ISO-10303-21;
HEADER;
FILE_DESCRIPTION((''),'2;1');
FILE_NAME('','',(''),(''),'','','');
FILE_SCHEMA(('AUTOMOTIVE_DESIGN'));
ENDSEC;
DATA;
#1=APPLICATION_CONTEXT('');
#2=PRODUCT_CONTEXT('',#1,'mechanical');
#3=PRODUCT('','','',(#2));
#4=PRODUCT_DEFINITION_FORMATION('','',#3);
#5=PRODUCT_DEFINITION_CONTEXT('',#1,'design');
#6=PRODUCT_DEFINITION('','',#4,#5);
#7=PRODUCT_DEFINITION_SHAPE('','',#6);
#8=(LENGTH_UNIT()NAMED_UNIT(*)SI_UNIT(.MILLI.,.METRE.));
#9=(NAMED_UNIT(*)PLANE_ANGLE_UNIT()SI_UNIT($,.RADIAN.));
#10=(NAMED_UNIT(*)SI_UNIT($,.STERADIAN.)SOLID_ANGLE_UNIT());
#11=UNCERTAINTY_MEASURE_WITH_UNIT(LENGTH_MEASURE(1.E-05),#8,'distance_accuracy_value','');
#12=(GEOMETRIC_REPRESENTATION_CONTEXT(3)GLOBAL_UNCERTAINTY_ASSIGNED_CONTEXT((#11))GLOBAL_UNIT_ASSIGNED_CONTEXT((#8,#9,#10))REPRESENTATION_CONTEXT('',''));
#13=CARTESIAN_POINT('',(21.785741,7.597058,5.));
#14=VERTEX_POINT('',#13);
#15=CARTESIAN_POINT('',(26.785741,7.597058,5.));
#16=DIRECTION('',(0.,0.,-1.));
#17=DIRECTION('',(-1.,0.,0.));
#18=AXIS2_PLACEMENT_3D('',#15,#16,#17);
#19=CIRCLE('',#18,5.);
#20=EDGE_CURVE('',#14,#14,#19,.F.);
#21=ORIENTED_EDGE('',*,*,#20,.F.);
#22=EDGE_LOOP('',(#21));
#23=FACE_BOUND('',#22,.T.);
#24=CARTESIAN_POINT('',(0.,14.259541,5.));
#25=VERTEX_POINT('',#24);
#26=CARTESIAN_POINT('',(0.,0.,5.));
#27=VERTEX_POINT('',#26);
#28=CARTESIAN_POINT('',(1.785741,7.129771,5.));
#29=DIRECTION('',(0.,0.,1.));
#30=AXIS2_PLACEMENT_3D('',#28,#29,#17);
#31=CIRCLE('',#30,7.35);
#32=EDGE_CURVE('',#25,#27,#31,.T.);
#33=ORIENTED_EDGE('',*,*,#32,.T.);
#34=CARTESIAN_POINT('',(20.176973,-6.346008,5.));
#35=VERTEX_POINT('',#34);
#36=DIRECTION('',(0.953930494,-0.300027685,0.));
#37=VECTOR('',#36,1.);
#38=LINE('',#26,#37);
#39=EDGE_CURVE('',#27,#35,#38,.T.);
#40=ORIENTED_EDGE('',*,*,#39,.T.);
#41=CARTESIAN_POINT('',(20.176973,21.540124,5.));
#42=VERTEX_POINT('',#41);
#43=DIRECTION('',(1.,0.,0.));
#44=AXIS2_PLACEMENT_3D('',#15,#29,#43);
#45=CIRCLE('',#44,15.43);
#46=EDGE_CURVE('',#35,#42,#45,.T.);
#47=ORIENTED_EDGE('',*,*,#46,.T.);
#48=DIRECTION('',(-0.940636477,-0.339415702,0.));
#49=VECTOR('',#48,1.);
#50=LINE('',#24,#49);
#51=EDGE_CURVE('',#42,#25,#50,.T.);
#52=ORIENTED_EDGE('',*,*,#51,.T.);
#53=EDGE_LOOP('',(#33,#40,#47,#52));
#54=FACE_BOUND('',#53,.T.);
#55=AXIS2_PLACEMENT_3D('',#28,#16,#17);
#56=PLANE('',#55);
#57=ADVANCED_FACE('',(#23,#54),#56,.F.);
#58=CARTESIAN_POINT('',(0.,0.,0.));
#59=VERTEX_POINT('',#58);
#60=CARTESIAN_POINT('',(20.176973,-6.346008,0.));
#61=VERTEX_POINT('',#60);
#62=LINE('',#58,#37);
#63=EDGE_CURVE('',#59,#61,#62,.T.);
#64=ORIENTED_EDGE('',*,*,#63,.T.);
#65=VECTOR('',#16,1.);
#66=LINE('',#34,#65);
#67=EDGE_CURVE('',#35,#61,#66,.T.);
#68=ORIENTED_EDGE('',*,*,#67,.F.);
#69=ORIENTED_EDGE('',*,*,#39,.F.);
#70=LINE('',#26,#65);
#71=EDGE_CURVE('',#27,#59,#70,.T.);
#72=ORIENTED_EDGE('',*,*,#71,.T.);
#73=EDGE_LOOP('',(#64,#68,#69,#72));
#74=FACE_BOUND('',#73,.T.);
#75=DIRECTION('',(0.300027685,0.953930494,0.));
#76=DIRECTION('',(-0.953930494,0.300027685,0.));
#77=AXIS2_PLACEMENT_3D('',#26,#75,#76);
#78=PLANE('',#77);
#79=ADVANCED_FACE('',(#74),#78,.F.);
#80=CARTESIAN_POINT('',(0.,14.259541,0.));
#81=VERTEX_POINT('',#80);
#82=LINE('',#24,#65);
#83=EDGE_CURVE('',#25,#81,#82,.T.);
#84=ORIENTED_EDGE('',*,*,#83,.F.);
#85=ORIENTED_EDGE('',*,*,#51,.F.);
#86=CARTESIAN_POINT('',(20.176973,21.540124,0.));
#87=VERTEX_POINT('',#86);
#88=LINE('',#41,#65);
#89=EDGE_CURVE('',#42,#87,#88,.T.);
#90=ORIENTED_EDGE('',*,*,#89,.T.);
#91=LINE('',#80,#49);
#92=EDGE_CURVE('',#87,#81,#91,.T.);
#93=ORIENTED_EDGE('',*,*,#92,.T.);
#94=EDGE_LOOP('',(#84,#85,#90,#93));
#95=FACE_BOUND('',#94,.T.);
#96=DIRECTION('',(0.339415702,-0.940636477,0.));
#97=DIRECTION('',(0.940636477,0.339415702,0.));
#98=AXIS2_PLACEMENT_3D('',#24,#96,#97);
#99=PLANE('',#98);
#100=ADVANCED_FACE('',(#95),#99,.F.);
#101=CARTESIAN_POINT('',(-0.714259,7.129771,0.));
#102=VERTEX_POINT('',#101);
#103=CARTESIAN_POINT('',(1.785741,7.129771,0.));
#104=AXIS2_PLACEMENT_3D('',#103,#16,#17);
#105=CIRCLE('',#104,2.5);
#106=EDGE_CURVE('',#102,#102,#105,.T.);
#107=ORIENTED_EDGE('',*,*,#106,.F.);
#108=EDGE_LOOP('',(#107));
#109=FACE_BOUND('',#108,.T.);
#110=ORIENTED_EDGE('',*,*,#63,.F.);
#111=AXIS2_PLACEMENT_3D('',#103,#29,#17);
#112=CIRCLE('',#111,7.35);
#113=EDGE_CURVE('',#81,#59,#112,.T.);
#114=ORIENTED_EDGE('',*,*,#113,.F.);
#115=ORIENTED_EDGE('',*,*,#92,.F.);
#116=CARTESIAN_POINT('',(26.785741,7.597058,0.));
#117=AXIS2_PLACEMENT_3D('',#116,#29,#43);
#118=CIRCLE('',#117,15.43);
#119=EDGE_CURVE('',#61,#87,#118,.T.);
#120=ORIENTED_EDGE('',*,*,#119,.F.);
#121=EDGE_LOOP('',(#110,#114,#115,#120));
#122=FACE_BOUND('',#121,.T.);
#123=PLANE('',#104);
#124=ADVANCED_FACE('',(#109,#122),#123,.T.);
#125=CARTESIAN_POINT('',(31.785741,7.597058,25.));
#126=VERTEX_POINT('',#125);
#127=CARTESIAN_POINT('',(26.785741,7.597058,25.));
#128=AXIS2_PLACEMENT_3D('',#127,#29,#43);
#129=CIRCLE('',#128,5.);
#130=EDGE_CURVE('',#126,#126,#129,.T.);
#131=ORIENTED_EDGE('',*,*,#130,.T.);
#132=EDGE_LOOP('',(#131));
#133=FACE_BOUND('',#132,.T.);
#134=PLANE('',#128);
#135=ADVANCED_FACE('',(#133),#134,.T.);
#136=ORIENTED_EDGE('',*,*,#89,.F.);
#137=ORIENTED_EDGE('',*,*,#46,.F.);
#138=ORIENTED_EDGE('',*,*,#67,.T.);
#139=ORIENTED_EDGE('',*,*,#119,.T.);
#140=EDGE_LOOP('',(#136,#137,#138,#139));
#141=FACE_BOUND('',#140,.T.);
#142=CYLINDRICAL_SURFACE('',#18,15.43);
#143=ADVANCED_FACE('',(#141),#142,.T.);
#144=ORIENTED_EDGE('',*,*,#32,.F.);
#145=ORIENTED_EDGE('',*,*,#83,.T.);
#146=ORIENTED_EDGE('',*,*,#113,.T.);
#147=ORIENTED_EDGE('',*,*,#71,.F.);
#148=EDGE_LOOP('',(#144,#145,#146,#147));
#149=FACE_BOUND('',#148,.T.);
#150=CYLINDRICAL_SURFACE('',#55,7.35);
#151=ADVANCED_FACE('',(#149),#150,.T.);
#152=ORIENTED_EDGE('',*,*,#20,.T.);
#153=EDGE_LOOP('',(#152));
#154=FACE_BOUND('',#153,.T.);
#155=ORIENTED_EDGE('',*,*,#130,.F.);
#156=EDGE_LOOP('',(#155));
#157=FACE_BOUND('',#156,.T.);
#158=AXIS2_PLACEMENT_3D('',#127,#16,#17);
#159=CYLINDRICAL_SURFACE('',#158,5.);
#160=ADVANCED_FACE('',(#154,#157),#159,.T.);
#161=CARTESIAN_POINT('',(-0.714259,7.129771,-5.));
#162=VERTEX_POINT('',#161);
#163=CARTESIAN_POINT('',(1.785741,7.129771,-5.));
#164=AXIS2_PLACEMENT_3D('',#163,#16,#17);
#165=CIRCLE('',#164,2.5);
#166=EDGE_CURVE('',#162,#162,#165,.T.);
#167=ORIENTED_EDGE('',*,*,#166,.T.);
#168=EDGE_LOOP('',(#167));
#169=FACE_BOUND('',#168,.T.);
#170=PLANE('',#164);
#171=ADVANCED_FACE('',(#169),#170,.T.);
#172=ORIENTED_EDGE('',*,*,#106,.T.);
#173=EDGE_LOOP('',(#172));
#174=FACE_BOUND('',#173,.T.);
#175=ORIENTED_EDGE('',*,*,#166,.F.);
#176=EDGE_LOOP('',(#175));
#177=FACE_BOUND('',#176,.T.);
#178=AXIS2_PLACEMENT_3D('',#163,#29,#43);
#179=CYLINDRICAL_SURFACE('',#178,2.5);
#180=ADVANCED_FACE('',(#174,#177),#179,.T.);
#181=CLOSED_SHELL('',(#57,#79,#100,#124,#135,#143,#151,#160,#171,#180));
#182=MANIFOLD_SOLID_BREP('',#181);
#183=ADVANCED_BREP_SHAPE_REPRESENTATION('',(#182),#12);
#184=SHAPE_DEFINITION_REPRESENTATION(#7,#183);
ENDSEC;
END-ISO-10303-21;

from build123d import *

# Parameters (mm, degrees)
BOSS_EXTRUDE1_DEPTH = 5
SKETCH2_R           = 5
BOSS_EXTRUDE2_DEPTH = 20
SKETCH3_R           = 2.5
BOSS_EXTRUDE3_DEPTH = 5


with BuildPart() as part:
    # Sketch1 → Boss-Extrude1 (new body)
    with BuildSketch(Plane.XY):
        with BuildLine():
            Line((0, 14.259541246), (20.176972809, 21.540123656))
            ThreePointArc((20.176972809, 21.540123656), (42.215740985, 7.597057881), (20.176972809, -6.346007893))
            Line((20.176972809, -6.346007893), (0, 0))
            ThreePointArc((0, 0), (-5.564259015, 7.129770623), (0, 14.259541246))
        make_face()
    extrude(amount=BOSS_EXTRUDE1_DEPTH)

    # Sketch2 → Boss-Extrude2 (add)
    with BuildSketch(Plane.XY.offset(5)):
        with Locations((26.785740985, 7.597057881)):
            Circle(SKETCH2_R)
    extrude(amount=BOSS_EXTRUDE2_DEPTH)

    # Sketch3 → Boss-Extrude3 (add)
    with BuildSketch(Plane(origin=(0, 0, 0), x_dir=(-1, 0, 0), z_dir=(0, 0, -1))):
        with Locations((-1.785740985, 7.129770623)):
            Circle(SKETCH3_R)
    extrude(amount=BOSS_EXTRUDE3_DEPTH)


solid = part.part
